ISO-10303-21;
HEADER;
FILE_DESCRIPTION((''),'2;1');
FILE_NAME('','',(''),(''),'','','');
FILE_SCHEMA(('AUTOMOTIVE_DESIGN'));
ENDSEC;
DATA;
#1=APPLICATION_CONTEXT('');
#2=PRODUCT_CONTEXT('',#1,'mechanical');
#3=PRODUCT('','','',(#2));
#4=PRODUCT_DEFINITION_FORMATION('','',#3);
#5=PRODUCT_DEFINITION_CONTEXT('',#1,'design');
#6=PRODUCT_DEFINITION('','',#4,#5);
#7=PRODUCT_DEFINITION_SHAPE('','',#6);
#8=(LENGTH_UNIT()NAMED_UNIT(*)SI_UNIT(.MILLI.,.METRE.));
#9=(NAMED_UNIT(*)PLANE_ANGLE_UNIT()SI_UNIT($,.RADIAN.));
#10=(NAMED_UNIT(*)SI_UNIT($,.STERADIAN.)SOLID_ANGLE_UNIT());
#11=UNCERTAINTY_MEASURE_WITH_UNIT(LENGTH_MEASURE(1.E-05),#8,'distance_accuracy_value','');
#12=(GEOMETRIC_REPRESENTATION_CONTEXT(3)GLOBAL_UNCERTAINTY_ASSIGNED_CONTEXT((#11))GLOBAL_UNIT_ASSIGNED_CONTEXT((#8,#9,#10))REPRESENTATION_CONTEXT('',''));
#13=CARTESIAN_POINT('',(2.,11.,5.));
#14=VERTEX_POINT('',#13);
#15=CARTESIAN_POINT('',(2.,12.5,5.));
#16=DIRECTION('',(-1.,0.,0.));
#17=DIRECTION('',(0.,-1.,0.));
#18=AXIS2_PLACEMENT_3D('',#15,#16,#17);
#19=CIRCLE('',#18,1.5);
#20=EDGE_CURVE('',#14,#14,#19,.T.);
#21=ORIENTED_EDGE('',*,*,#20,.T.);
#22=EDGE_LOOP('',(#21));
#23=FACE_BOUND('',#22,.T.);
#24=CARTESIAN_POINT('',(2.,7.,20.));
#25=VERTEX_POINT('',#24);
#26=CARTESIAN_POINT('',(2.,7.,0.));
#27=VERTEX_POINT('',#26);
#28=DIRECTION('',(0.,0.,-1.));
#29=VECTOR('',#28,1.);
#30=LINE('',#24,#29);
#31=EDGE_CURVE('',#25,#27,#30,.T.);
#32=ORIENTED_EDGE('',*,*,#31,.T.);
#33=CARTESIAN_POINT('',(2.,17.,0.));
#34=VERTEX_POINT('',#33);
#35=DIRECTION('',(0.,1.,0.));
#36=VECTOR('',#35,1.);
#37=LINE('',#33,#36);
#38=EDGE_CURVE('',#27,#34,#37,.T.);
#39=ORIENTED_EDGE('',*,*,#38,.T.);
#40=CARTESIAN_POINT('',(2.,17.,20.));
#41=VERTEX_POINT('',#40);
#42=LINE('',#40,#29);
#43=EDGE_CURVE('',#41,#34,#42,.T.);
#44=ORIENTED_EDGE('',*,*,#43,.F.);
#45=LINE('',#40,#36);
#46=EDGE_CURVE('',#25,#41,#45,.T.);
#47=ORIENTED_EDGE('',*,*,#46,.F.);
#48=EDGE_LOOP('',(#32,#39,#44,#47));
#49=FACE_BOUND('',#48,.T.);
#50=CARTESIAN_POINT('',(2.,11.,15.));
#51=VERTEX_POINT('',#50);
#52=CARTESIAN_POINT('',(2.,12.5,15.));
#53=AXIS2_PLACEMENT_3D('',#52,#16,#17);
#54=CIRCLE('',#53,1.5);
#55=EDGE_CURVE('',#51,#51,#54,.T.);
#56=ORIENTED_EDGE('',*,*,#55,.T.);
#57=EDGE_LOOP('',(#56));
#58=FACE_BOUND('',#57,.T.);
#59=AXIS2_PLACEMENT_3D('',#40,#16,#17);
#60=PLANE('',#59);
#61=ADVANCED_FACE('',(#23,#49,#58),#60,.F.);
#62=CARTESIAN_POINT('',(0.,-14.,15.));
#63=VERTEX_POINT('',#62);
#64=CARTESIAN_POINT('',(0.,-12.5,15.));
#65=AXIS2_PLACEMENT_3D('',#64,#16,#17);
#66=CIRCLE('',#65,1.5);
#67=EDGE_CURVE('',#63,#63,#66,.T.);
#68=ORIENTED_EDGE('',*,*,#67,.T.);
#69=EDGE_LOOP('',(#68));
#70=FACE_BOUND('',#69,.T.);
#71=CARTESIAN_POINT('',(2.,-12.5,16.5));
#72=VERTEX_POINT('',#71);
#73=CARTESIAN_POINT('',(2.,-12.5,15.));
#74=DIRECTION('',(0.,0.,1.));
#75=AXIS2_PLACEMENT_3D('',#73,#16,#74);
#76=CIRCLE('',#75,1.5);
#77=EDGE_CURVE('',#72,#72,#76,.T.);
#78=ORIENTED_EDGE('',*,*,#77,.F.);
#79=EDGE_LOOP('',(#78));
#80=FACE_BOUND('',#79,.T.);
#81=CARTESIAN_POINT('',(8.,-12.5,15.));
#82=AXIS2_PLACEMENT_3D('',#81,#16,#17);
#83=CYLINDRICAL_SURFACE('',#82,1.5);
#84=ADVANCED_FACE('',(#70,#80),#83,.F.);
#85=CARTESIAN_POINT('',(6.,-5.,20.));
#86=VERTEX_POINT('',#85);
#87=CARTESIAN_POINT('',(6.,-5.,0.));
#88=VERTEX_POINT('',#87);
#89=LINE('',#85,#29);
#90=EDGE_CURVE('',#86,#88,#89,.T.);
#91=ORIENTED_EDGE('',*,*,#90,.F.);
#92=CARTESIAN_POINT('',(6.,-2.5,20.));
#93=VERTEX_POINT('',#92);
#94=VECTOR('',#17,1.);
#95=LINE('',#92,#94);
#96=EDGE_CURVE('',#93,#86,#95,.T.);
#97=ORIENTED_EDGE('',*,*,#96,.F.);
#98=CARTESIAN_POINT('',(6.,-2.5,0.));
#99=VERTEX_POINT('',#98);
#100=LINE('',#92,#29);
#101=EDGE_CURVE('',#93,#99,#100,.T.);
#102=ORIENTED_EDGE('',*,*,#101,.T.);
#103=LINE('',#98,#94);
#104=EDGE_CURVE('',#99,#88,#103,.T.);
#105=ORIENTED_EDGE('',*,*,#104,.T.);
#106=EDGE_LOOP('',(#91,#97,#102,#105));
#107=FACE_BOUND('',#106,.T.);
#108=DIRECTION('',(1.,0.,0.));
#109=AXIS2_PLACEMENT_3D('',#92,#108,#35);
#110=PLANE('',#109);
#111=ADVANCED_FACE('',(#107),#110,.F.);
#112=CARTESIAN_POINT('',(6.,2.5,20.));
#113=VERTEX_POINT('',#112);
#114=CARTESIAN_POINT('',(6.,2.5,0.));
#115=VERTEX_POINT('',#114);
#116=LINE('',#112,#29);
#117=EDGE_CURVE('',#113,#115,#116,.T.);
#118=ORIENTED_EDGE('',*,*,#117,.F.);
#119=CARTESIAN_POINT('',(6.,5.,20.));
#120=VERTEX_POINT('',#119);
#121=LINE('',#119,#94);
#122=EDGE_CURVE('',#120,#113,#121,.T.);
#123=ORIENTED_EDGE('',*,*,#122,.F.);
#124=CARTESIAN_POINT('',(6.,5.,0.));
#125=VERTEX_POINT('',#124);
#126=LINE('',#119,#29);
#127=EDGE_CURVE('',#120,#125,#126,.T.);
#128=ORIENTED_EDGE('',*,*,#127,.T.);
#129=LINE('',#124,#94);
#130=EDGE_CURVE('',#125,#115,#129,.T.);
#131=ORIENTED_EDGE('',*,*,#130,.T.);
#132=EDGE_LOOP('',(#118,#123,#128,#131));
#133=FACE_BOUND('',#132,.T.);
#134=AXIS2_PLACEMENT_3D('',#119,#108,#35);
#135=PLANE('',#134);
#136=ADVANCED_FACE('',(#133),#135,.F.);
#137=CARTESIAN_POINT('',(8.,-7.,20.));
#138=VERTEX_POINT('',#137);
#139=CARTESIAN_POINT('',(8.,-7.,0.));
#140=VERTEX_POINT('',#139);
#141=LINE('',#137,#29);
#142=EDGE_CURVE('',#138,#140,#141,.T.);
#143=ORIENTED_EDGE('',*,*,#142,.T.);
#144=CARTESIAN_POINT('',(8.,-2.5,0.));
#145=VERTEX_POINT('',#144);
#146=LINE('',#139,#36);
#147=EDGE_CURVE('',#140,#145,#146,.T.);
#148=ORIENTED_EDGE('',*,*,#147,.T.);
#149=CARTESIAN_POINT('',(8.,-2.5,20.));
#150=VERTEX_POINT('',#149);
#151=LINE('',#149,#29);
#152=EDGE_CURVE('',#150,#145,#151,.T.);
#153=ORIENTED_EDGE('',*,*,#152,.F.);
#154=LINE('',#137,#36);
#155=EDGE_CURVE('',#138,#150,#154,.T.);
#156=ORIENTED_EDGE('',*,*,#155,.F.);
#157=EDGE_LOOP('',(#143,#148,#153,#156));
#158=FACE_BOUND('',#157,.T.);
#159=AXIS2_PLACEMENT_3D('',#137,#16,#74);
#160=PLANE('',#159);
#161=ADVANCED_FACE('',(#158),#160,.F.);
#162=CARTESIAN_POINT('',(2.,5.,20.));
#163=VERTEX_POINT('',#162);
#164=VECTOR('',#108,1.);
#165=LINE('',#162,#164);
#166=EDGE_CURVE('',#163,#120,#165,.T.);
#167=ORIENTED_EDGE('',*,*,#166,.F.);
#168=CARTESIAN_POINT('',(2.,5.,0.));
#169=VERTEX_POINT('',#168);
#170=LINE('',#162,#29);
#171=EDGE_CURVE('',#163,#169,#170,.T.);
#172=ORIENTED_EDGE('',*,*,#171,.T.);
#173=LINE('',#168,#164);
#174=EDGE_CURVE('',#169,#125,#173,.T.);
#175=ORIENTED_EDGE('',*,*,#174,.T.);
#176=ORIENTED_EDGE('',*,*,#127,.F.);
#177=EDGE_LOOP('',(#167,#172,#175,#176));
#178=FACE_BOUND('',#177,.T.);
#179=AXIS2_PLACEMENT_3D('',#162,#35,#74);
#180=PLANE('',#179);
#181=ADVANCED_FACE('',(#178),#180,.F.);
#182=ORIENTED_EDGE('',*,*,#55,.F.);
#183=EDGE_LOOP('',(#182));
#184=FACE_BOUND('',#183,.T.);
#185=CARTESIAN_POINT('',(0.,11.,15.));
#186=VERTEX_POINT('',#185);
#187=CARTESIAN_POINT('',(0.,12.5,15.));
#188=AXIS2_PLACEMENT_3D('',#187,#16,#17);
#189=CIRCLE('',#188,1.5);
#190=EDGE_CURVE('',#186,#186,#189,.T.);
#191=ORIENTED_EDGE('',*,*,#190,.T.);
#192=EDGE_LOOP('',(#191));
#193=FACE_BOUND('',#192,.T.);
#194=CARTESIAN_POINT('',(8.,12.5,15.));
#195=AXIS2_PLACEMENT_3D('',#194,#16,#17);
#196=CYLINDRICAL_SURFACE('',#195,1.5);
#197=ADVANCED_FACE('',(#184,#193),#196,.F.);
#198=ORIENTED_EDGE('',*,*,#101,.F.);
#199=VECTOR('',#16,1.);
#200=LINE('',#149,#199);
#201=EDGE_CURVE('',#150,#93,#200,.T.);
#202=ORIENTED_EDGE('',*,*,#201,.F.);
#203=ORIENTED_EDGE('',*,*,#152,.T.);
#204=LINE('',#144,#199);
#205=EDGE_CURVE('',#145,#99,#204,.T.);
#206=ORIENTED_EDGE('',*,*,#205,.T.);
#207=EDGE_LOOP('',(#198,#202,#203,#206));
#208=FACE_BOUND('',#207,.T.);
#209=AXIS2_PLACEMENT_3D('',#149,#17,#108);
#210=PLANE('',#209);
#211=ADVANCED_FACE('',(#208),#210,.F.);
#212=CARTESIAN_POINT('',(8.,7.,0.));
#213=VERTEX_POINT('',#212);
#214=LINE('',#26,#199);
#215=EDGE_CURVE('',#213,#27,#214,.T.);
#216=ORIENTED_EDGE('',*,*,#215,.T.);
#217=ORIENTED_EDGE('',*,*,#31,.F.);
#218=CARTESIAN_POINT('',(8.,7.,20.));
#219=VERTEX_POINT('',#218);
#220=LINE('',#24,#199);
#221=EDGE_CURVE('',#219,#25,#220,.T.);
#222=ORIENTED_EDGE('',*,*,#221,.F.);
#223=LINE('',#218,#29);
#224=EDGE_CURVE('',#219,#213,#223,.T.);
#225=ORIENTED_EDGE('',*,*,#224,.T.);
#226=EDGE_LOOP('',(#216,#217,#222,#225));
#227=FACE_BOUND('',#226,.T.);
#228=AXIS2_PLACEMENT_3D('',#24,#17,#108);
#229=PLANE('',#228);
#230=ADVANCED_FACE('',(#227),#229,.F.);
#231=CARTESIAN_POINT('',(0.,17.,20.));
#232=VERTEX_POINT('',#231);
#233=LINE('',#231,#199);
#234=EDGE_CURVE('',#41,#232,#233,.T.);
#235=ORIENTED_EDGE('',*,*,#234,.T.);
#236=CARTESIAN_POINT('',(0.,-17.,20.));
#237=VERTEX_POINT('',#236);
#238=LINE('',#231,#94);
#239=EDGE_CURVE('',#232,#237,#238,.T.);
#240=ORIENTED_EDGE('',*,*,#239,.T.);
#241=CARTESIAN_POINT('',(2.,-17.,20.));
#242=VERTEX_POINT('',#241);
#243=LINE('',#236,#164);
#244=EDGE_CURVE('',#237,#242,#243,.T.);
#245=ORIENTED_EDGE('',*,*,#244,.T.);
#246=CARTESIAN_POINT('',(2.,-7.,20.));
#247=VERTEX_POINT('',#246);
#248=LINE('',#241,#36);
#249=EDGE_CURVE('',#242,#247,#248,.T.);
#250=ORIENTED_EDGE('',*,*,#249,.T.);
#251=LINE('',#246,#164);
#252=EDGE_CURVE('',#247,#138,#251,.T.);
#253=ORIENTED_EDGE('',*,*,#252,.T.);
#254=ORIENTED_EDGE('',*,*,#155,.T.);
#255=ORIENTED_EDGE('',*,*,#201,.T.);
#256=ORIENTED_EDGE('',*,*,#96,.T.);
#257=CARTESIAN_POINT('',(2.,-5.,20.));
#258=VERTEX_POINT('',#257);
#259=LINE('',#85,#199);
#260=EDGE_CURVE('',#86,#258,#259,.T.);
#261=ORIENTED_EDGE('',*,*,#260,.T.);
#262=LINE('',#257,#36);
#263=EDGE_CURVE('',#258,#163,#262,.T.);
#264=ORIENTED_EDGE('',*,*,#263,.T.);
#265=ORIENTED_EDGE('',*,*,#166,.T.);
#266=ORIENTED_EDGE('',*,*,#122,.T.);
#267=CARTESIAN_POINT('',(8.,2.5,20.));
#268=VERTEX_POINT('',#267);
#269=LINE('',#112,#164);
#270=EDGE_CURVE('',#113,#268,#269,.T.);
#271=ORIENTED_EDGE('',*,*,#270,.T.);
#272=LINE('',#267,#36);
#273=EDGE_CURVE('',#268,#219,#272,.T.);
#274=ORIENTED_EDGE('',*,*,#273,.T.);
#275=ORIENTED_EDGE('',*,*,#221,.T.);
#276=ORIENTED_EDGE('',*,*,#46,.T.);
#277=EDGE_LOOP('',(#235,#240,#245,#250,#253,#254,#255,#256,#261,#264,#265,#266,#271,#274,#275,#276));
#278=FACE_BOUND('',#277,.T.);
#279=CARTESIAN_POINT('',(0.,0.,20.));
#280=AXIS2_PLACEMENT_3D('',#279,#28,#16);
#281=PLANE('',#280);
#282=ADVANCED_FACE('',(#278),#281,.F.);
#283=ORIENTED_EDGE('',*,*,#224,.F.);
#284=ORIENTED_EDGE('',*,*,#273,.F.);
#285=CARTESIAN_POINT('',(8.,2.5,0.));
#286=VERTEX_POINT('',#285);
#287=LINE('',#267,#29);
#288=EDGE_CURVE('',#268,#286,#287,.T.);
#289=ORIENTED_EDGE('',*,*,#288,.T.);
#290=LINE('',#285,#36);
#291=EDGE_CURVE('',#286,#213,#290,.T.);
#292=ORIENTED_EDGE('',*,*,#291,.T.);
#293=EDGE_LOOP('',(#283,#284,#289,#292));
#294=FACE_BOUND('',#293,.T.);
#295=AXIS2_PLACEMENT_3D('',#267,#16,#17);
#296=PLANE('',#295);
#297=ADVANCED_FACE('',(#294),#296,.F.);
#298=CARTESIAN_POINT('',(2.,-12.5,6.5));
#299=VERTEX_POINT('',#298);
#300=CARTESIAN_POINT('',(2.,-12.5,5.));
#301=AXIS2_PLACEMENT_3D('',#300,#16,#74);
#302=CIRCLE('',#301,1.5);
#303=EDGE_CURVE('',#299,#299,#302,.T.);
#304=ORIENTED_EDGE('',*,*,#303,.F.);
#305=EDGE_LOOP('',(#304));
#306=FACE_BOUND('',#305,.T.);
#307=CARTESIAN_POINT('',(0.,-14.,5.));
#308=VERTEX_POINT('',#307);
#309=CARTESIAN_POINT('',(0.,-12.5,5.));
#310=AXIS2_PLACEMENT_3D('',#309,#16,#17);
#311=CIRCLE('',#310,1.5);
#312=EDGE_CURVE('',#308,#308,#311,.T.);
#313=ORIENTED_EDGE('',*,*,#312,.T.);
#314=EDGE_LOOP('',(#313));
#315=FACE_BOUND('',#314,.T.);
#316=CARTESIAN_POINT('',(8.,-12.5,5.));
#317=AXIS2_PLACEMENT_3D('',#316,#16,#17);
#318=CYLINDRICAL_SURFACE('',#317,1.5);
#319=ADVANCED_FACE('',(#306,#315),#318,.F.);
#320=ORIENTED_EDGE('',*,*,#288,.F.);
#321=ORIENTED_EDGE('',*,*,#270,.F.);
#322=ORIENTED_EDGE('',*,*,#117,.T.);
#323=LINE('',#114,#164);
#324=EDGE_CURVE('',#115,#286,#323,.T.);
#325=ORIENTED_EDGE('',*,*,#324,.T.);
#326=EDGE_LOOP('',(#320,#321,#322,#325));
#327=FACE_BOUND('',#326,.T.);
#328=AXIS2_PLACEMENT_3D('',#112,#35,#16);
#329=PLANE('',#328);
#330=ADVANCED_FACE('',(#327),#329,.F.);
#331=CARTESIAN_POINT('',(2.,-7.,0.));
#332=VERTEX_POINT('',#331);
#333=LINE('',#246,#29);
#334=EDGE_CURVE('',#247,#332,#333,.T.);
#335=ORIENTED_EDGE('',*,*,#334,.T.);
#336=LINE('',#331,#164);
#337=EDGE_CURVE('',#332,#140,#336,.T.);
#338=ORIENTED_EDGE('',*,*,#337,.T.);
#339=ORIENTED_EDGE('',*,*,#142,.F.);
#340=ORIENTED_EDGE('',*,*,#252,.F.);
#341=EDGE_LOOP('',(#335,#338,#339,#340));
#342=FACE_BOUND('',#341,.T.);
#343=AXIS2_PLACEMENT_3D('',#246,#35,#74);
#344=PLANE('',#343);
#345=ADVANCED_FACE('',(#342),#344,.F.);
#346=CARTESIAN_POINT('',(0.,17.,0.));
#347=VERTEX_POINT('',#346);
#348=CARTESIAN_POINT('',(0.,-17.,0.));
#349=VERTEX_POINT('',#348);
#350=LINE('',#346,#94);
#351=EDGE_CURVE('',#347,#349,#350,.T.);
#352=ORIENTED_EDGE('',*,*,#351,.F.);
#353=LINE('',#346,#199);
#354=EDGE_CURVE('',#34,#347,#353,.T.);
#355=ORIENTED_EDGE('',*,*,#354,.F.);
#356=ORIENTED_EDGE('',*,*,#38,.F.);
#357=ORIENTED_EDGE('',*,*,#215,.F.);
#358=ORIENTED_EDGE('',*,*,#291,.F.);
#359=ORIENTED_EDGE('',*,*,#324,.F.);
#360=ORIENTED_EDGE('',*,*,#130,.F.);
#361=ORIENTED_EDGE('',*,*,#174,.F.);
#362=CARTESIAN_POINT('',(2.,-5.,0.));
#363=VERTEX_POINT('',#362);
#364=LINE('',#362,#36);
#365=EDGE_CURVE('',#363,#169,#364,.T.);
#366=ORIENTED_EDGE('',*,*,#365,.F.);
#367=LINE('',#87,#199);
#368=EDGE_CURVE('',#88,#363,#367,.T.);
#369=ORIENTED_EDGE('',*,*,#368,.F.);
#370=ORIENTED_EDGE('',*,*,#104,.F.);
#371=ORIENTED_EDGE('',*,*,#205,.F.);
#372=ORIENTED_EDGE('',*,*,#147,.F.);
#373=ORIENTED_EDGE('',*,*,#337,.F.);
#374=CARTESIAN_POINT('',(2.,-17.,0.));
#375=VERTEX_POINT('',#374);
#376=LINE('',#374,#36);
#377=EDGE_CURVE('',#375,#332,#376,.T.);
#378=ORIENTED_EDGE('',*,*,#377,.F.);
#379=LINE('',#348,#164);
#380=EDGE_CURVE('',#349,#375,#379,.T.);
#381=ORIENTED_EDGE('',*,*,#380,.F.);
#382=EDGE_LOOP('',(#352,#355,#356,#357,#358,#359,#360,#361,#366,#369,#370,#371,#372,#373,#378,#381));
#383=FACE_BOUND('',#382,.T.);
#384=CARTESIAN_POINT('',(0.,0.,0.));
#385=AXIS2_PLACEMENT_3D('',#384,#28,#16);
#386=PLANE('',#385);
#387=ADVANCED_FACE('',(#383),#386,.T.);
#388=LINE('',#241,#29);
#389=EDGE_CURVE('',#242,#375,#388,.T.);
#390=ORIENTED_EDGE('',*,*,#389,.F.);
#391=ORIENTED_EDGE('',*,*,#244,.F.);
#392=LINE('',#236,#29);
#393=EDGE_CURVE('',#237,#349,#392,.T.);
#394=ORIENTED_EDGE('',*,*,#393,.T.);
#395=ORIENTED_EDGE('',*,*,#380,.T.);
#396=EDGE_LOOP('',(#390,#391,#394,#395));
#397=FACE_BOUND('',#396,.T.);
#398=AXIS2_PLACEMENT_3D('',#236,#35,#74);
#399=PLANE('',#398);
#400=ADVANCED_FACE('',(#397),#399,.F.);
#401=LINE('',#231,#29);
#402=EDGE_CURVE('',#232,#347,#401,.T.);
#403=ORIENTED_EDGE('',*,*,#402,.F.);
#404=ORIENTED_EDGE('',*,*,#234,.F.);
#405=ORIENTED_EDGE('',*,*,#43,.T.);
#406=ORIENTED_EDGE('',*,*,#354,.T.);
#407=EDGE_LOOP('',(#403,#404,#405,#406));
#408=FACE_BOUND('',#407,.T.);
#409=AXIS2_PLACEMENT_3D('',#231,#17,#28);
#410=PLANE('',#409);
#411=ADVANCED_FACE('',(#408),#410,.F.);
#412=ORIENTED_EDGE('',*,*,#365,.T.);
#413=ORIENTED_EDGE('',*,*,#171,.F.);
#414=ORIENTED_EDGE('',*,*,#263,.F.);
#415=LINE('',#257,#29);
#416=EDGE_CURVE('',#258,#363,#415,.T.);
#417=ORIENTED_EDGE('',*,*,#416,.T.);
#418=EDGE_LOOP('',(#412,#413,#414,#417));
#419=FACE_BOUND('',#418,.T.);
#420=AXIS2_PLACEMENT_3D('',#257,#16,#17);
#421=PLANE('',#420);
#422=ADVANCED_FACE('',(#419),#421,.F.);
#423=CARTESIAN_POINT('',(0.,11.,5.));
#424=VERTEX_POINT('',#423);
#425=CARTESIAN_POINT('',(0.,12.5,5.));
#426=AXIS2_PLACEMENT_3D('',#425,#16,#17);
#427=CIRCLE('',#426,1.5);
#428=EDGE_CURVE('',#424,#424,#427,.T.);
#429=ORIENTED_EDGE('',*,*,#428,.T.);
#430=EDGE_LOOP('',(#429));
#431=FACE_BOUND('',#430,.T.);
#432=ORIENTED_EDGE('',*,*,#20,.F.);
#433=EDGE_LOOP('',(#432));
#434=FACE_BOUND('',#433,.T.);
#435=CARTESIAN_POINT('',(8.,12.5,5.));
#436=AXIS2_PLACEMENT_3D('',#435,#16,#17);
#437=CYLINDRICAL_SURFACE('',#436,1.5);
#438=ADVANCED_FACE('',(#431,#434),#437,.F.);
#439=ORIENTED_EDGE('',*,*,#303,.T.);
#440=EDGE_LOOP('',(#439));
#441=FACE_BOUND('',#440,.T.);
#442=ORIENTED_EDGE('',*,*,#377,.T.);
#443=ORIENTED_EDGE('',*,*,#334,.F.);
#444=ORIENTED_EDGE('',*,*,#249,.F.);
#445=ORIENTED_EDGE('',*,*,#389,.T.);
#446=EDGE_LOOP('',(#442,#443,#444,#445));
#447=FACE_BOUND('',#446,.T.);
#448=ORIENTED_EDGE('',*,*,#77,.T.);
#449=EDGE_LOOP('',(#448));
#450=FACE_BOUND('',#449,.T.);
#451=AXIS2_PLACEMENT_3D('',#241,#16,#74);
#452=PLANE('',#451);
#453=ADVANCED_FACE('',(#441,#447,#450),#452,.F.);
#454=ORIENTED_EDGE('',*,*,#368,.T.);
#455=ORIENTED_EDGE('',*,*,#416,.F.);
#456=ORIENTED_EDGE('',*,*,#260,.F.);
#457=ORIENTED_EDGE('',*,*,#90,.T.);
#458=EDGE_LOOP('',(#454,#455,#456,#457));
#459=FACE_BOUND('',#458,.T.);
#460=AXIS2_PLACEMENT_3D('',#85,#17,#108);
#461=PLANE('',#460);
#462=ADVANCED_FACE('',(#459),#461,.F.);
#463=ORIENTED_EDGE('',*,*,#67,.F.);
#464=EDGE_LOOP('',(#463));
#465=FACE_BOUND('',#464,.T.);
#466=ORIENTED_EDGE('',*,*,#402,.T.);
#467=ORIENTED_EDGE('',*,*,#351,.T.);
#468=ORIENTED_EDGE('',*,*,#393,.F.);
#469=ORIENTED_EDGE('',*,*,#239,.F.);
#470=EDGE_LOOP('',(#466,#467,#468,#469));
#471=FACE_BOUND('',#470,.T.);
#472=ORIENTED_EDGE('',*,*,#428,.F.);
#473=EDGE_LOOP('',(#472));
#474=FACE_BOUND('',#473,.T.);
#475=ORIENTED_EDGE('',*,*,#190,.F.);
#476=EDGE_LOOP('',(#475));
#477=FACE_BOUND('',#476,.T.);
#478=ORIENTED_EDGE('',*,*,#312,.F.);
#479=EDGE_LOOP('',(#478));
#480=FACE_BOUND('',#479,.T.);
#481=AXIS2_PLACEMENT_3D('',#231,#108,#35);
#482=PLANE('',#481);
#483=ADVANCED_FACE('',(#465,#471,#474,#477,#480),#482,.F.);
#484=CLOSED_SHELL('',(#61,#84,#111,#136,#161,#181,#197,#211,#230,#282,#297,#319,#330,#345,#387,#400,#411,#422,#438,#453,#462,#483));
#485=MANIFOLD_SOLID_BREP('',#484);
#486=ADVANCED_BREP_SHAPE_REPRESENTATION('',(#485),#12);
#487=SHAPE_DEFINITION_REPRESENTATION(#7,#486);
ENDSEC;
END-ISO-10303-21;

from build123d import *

# Parameters (mm, degrees)
MAIN_EXTRUSION_DEPTH = 20
WHOLES_R             = 1.5
WHOLE_REMOVAL_DEPTH  = 9


with BuildPart() as part:
    # Main → Main Extrusion (new body)
    with BuildSketch(Plane.XY):
        Polygon((0, 17), (0, -17), (2, -17), (2, -7), (8, -7), (8, -2.5), (6, -2.5), (6, -5), (2, -5), (2, 5), (6, 5), (6, 2.5), (8, 2.5), (8, 7), (2, 7), (2, 17), align=None)
    extrude(amount=MAIN_EXTRUSION_DEPTH)

    # Wholes → Whole Removal (cut, through all)
    with BuildSketch(Plane.ZY):
        with Locations((5, 12.5)):
            Circle(WHOLES_R)
        with Locations((5, -12.5)):
            Circle(WHOLES_R)
        with Locations((15, -12.5)):
            Circle(WHOLES_R)
        with Locations((15, 12.5)):
            Circle(WHOLES_R)
    extrude(amount=-WHOLE_REMOVAL_DEPTH, mode=Mode.SUBTRACT)


solid = part.part
